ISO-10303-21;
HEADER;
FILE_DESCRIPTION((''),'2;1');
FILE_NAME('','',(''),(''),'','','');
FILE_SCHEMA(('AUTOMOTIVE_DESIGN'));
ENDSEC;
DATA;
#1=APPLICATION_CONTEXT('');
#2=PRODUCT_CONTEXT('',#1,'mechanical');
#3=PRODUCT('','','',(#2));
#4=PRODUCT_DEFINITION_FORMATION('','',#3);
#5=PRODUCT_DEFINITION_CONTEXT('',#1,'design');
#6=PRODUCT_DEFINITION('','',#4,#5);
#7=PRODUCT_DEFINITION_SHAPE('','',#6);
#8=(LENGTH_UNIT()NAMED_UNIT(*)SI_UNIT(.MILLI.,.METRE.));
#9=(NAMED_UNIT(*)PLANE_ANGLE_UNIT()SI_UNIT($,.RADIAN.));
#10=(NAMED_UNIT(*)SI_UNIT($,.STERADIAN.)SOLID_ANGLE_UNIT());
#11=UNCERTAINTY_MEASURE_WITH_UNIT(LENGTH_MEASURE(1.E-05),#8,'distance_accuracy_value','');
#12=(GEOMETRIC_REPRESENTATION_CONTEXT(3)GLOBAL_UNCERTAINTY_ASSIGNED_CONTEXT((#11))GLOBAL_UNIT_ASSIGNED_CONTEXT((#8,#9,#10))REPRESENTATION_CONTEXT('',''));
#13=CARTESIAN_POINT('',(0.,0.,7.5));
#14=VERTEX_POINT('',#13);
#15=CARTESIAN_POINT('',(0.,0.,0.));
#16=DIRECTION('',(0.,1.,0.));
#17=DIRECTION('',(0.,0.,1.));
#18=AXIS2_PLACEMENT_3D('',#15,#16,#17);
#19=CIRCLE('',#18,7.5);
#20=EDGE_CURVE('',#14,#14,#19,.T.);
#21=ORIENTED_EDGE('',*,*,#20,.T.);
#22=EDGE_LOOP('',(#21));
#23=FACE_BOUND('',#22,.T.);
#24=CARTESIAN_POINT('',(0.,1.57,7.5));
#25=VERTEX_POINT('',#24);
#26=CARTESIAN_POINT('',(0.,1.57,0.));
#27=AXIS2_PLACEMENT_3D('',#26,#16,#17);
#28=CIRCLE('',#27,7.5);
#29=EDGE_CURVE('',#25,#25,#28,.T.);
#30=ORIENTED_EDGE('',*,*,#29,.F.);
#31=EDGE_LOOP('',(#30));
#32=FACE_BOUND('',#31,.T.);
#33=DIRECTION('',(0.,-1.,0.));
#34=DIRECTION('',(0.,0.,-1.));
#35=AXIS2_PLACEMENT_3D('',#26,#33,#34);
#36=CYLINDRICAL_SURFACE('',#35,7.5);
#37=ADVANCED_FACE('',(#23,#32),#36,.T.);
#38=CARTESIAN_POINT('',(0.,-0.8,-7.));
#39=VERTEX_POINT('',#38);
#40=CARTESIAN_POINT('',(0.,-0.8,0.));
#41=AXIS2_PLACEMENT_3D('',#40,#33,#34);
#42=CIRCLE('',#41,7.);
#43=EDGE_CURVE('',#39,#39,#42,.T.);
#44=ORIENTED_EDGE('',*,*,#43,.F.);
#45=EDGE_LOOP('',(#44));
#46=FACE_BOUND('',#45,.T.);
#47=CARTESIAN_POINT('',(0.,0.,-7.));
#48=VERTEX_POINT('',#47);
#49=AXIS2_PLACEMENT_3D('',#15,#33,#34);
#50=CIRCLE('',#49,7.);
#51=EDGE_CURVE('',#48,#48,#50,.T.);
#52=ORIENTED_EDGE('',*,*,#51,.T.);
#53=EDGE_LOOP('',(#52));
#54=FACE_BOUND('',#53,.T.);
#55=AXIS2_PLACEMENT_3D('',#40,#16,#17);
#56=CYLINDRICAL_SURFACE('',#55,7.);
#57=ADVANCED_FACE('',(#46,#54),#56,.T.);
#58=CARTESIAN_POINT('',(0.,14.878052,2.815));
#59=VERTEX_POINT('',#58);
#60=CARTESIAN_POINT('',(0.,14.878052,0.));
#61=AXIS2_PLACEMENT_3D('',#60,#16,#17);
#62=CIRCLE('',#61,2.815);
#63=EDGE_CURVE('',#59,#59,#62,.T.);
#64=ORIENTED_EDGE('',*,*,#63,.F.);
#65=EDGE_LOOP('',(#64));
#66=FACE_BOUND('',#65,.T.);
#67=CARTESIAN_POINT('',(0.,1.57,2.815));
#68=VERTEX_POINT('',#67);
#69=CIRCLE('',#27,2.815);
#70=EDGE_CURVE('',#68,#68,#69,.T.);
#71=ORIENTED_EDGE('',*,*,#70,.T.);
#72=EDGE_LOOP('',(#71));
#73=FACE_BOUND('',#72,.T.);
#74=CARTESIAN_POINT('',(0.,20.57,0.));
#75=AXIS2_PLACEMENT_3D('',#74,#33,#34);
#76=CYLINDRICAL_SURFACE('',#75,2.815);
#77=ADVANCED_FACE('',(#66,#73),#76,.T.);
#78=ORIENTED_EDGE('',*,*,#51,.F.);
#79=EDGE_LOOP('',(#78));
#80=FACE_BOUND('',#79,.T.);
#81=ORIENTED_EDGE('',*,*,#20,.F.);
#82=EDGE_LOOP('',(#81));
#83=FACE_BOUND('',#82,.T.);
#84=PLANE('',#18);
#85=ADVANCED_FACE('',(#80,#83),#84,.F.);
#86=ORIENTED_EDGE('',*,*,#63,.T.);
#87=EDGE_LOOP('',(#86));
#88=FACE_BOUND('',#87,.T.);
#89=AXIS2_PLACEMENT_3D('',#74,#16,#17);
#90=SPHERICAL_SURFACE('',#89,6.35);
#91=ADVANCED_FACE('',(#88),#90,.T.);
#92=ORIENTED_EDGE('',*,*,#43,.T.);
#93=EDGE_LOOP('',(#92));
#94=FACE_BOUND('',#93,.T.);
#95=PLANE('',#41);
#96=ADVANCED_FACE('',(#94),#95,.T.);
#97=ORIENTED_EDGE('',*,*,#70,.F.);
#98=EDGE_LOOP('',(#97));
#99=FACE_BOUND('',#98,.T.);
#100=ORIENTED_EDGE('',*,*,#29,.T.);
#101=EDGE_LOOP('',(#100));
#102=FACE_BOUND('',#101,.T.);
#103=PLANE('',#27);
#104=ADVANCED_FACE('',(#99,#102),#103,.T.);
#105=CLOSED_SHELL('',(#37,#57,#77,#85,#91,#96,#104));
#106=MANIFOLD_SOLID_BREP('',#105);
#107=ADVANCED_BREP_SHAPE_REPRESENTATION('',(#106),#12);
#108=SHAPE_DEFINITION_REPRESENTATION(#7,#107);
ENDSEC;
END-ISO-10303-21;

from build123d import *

# Parameters (mm, degrees)
SKETCH1_R           = 7.5
BOSS_EXTRUDE1_DEPTH = 1.57
SKETCH2_R           = 2.815
BOSS_EXTRUDE2_DEPTH = 19
SKETCH4_R           = 7
BOSS_EXTRUDE3_DEPTH = 0.8


with BuildPart() as part:
    # Sketch1 → Boss-Extrude1 (new body)
    with BuildSketch(Plane(origin=(0, 0, 0), x_dir=(1, 0, 0), z_dir=(0, 1, 0))):
        with Locations(Location((0, 0, 0), (0, 0, 270))):
            Circle(SKETCH1_R)
    extrude(amount=BOSS_EXTRUDE1_DEPTH)

    # Sketch2 → Boss-Extrude2 (add)
    with BuildSketch(Plane(origin=(0, 1.57, 0), x_dir=(1, 0, 0), z_dir=(0, 1, 0))):
        with Locations(Location((0, 0, 0), (0, 0, 270))):
            Circle(SKETCH2_R)
    extrude(amount=BOSS_EXTRUDE2_DEPTH)

    # Sketch3 → Revolve1 (revolve)
    with BuildSketch(Plane(origin=(0, 20.57, 0), x_dir=(1, 0, 0), z_dir=(0, 1, 0))):
        with BuildLine():
            Line((0, 6.35), (0, -6.35))
            ThreePointArc((0, -6.35), (6.35, 0), (0, 6.35))
        make_face()
    revolve(axis=Axis((0, 20.57, -8.311953328), (0, 0, 1)))

    # Sketch4 → Boss-Extrude3 (add)
    with BuildSketch(Plane.XZ):
        with Locations(Location((0, 0, 0), (0, 0, 270))):
            Circle(SKETCH4_R)
    extrude(amount=BOSS_EXTRUDE3_DEPTH)


solid = part.part
